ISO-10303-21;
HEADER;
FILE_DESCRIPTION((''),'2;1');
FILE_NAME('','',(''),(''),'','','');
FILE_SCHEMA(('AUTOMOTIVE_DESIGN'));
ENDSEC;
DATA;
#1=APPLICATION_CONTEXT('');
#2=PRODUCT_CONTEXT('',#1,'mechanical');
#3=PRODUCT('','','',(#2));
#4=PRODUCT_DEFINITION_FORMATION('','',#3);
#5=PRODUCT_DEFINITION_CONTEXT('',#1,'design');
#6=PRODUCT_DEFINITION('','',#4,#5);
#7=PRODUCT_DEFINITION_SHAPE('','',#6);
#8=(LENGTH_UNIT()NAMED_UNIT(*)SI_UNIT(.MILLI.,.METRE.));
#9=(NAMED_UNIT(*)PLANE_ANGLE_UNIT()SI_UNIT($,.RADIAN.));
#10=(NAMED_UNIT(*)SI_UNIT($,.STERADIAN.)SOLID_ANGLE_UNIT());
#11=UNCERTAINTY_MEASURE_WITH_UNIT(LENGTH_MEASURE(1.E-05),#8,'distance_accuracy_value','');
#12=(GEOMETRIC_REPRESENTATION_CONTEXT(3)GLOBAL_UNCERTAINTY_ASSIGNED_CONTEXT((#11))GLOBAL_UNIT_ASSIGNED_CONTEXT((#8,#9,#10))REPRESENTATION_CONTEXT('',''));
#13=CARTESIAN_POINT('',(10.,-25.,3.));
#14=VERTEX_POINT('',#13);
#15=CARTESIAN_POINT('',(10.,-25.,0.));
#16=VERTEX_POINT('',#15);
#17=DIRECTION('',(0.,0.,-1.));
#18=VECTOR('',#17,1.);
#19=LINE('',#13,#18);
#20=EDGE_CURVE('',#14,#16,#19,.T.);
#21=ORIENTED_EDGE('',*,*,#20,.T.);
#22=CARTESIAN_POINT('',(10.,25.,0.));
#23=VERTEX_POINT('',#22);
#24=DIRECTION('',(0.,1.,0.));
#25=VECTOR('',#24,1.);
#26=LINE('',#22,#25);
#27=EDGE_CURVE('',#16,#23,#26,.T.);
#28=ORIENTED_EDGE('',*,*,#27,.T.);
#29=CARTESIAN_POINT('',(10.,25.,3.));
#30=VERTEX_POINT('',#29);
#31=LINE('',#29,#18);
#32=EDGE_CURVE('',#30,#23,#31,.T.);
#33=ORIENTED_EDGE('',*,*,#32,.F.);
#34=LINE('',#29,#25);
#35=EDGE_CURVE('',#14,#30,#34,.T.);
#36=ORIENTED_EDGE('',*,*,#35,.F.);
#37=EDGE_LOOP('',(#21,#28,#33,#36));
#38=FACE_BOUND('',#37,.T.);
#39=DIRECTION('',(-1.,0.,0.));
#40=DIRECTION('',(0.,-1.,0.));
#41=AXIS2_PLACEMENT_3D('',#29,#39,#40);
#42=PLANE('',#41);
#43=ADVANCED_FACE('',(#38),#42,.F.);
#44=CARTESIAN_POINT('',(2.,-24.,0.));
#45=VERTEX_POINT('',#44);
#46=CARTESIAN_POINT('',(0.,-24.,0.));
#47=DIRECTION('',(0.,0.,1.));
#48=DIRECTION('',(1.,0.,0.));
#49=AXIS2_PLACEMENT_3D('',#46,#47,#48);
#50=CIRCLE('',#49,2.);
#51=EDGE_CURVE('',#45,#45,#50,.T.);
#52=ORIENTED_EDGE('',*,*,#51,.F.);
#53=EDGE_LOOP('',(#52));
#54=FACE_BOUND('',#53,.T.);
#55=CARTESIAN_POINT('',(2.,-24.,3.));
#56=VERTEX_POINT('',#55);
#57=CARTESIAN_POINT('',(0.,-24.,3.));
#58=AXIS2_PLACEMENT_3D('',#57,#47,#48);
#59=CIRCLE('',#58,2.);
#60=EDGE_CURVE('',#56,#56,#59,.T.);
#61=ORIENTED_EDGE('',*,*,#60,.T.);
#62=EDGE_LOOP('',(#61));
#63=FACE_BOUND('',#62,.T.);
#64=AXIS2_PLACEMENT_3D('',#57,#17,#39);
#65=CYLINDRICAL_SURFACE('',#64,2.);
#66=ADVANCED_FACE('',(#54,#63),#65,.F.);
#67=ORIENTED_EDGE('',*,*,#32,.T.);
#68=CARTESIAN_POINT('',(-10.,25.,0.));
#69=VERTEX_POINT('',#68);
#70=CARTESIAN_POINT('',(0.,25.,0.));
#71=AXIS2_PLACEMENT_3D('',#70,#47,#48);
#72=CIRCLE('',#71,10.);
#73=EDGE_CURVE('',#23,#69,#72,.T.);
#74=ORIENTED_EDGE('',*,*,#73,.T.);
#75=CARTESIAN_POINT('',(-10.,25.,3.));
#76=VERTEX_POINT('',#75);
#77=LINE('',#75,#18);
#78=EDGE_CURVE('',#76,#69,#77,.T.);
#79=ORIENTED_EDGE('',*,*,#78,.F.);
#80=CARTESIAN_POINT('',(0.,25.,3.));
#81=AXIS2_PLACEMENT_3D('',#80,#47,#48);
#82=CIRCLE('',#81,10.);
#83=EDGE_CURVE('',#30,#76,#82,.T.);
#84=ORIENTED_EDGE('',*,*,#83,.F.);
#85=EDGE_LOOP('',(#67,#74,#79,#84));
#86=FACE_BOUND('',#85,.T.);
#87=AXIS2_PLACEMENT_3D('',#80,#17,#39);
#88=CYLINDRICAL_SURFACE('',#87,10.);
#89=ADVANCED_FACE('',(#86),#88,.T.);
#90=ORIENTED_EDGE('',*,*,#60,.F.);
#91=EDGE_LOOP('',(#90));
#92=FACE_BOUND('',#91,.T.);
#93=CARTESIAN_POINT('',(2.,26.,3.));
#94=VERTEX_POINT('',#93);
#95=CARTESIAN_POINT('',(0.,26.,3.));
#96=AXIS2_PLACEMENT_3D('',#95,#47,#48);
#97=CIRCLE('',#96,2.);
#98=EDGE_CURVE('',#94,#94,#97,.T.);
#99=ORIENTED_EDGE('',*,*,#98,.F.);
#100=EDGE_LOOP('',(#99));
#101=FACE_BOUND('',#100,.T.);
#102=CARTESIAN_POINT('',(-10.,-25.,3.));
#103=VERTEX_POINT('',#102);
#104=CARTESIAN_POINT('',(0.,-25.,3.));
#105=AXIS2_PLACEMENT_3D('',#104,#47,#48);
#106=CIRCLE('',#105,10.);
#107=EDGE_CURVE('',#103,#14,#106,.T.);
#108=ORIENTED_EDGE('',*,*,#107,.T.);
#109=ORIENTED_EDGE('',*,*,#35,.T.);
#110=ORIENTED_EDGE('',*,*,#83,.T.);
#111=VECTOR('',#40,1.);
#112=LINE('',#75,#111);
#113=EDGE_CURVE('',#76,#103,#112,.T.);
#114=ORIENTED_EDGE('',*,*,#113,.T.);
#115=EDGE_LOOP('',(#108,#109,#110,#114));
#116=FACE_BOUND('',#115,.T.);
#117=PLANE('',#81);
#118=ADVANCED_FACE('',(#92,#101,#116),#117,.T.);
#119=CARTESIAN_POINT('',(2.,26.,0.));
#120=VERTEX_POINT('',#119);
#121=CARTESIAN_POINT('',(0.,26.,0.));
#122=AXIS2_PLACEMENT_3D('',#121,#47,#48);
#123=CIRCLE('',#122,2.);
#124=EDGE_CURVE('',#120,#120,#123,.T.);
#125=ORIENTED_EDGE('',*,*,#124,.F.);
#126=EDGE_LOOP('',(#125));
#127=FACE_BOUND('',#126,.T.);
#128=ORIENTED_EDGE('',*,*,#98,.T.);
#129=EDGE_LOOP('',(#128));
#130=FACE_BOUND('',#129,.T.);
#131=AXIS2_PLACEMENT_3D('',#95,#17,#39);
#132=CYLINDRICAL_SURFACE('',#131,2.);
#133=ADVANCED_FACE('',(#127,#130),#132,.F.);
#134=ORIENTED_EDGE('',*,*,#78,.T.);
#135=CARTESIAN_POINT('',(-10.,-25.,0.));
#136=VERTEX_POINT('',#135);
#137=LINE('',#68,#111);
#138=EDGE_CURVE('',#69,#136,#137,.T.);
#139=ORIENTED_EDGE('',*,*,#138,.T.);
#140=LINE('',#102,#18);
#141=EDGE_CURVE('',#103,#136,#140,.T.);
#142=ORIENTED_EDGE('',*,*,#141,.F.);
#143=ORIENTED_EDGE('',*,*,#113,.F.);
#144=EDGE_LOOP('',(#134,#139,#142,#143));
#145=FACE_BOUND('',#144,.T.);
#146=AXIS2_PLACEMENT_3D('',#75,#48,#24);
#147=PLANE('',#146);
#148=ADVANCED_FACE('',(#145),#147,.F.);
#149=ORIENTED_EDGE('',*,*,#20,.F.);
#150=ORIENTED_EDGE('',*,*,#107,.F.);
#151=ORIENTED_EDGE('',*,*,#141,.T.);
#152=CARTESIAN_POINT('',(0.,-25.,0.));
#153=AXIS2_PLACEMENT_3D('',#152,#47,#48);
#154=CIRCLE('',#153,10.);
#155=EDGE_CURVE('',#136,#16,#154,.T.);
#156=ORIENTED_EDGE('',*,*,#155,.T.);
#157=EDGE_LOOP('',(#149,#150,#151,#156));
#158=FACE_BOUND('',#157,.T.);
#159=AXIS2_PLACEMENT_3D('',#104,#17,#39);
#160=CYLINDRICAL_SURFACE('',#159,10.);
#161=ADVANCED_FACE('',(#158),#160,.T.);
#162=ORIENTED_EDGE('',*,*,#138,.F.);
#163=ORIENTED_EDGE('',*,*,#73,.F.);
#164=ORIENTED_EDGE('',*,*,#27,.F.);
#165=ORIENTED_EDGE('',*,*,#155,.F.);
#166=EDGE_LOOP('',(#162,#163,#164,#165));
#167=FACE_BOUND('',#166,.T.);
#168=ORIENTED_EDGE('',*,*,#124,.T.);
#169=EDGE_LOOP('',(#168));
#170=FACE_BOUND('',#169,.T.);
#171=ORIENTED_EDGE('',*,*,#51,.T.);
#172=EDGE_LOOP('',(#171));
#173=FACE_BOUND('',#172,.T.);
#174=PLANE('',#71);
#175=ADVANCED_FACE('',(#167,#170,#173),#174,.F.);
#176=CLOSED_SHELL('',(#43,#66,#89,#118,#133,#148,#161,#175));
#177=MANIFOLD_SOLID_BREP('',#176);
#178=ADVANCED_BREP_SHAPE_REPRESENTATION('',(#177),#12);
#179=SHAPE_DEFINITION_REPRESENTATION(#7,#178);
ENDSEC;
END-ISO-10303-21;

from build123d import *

# Parameters (mm, degrees)
SKETCH1_R           = 2
BOSS_EXTRUDE1_DEPTH = 3


with BuildPart() as part:
    # Sketch1 → Boss-Extrude1 (new body)
    with BuildSketch(Plane.XY):
        with BuildLine():
            Line((10, 25), (10, -25))
            ThreePointArc((10, -25), (0, -35), (-10, -25))
            Line((-10, -25), (-10, 25))
            ThreePointArc((-10, 25), (0, 35), (10, 25))
        make_face()
        with Locations((0, 26)):
            Circle(SKETCH1_R, mode=Mode.SUBTRACT)
        with Locations((0, -24)):
            Circle(SKETCH1_R, mode=Mode.SUBTRACT)
    extrude(amount=BOSS_EXTRUDE1_DEPTH)


solid = part.part
